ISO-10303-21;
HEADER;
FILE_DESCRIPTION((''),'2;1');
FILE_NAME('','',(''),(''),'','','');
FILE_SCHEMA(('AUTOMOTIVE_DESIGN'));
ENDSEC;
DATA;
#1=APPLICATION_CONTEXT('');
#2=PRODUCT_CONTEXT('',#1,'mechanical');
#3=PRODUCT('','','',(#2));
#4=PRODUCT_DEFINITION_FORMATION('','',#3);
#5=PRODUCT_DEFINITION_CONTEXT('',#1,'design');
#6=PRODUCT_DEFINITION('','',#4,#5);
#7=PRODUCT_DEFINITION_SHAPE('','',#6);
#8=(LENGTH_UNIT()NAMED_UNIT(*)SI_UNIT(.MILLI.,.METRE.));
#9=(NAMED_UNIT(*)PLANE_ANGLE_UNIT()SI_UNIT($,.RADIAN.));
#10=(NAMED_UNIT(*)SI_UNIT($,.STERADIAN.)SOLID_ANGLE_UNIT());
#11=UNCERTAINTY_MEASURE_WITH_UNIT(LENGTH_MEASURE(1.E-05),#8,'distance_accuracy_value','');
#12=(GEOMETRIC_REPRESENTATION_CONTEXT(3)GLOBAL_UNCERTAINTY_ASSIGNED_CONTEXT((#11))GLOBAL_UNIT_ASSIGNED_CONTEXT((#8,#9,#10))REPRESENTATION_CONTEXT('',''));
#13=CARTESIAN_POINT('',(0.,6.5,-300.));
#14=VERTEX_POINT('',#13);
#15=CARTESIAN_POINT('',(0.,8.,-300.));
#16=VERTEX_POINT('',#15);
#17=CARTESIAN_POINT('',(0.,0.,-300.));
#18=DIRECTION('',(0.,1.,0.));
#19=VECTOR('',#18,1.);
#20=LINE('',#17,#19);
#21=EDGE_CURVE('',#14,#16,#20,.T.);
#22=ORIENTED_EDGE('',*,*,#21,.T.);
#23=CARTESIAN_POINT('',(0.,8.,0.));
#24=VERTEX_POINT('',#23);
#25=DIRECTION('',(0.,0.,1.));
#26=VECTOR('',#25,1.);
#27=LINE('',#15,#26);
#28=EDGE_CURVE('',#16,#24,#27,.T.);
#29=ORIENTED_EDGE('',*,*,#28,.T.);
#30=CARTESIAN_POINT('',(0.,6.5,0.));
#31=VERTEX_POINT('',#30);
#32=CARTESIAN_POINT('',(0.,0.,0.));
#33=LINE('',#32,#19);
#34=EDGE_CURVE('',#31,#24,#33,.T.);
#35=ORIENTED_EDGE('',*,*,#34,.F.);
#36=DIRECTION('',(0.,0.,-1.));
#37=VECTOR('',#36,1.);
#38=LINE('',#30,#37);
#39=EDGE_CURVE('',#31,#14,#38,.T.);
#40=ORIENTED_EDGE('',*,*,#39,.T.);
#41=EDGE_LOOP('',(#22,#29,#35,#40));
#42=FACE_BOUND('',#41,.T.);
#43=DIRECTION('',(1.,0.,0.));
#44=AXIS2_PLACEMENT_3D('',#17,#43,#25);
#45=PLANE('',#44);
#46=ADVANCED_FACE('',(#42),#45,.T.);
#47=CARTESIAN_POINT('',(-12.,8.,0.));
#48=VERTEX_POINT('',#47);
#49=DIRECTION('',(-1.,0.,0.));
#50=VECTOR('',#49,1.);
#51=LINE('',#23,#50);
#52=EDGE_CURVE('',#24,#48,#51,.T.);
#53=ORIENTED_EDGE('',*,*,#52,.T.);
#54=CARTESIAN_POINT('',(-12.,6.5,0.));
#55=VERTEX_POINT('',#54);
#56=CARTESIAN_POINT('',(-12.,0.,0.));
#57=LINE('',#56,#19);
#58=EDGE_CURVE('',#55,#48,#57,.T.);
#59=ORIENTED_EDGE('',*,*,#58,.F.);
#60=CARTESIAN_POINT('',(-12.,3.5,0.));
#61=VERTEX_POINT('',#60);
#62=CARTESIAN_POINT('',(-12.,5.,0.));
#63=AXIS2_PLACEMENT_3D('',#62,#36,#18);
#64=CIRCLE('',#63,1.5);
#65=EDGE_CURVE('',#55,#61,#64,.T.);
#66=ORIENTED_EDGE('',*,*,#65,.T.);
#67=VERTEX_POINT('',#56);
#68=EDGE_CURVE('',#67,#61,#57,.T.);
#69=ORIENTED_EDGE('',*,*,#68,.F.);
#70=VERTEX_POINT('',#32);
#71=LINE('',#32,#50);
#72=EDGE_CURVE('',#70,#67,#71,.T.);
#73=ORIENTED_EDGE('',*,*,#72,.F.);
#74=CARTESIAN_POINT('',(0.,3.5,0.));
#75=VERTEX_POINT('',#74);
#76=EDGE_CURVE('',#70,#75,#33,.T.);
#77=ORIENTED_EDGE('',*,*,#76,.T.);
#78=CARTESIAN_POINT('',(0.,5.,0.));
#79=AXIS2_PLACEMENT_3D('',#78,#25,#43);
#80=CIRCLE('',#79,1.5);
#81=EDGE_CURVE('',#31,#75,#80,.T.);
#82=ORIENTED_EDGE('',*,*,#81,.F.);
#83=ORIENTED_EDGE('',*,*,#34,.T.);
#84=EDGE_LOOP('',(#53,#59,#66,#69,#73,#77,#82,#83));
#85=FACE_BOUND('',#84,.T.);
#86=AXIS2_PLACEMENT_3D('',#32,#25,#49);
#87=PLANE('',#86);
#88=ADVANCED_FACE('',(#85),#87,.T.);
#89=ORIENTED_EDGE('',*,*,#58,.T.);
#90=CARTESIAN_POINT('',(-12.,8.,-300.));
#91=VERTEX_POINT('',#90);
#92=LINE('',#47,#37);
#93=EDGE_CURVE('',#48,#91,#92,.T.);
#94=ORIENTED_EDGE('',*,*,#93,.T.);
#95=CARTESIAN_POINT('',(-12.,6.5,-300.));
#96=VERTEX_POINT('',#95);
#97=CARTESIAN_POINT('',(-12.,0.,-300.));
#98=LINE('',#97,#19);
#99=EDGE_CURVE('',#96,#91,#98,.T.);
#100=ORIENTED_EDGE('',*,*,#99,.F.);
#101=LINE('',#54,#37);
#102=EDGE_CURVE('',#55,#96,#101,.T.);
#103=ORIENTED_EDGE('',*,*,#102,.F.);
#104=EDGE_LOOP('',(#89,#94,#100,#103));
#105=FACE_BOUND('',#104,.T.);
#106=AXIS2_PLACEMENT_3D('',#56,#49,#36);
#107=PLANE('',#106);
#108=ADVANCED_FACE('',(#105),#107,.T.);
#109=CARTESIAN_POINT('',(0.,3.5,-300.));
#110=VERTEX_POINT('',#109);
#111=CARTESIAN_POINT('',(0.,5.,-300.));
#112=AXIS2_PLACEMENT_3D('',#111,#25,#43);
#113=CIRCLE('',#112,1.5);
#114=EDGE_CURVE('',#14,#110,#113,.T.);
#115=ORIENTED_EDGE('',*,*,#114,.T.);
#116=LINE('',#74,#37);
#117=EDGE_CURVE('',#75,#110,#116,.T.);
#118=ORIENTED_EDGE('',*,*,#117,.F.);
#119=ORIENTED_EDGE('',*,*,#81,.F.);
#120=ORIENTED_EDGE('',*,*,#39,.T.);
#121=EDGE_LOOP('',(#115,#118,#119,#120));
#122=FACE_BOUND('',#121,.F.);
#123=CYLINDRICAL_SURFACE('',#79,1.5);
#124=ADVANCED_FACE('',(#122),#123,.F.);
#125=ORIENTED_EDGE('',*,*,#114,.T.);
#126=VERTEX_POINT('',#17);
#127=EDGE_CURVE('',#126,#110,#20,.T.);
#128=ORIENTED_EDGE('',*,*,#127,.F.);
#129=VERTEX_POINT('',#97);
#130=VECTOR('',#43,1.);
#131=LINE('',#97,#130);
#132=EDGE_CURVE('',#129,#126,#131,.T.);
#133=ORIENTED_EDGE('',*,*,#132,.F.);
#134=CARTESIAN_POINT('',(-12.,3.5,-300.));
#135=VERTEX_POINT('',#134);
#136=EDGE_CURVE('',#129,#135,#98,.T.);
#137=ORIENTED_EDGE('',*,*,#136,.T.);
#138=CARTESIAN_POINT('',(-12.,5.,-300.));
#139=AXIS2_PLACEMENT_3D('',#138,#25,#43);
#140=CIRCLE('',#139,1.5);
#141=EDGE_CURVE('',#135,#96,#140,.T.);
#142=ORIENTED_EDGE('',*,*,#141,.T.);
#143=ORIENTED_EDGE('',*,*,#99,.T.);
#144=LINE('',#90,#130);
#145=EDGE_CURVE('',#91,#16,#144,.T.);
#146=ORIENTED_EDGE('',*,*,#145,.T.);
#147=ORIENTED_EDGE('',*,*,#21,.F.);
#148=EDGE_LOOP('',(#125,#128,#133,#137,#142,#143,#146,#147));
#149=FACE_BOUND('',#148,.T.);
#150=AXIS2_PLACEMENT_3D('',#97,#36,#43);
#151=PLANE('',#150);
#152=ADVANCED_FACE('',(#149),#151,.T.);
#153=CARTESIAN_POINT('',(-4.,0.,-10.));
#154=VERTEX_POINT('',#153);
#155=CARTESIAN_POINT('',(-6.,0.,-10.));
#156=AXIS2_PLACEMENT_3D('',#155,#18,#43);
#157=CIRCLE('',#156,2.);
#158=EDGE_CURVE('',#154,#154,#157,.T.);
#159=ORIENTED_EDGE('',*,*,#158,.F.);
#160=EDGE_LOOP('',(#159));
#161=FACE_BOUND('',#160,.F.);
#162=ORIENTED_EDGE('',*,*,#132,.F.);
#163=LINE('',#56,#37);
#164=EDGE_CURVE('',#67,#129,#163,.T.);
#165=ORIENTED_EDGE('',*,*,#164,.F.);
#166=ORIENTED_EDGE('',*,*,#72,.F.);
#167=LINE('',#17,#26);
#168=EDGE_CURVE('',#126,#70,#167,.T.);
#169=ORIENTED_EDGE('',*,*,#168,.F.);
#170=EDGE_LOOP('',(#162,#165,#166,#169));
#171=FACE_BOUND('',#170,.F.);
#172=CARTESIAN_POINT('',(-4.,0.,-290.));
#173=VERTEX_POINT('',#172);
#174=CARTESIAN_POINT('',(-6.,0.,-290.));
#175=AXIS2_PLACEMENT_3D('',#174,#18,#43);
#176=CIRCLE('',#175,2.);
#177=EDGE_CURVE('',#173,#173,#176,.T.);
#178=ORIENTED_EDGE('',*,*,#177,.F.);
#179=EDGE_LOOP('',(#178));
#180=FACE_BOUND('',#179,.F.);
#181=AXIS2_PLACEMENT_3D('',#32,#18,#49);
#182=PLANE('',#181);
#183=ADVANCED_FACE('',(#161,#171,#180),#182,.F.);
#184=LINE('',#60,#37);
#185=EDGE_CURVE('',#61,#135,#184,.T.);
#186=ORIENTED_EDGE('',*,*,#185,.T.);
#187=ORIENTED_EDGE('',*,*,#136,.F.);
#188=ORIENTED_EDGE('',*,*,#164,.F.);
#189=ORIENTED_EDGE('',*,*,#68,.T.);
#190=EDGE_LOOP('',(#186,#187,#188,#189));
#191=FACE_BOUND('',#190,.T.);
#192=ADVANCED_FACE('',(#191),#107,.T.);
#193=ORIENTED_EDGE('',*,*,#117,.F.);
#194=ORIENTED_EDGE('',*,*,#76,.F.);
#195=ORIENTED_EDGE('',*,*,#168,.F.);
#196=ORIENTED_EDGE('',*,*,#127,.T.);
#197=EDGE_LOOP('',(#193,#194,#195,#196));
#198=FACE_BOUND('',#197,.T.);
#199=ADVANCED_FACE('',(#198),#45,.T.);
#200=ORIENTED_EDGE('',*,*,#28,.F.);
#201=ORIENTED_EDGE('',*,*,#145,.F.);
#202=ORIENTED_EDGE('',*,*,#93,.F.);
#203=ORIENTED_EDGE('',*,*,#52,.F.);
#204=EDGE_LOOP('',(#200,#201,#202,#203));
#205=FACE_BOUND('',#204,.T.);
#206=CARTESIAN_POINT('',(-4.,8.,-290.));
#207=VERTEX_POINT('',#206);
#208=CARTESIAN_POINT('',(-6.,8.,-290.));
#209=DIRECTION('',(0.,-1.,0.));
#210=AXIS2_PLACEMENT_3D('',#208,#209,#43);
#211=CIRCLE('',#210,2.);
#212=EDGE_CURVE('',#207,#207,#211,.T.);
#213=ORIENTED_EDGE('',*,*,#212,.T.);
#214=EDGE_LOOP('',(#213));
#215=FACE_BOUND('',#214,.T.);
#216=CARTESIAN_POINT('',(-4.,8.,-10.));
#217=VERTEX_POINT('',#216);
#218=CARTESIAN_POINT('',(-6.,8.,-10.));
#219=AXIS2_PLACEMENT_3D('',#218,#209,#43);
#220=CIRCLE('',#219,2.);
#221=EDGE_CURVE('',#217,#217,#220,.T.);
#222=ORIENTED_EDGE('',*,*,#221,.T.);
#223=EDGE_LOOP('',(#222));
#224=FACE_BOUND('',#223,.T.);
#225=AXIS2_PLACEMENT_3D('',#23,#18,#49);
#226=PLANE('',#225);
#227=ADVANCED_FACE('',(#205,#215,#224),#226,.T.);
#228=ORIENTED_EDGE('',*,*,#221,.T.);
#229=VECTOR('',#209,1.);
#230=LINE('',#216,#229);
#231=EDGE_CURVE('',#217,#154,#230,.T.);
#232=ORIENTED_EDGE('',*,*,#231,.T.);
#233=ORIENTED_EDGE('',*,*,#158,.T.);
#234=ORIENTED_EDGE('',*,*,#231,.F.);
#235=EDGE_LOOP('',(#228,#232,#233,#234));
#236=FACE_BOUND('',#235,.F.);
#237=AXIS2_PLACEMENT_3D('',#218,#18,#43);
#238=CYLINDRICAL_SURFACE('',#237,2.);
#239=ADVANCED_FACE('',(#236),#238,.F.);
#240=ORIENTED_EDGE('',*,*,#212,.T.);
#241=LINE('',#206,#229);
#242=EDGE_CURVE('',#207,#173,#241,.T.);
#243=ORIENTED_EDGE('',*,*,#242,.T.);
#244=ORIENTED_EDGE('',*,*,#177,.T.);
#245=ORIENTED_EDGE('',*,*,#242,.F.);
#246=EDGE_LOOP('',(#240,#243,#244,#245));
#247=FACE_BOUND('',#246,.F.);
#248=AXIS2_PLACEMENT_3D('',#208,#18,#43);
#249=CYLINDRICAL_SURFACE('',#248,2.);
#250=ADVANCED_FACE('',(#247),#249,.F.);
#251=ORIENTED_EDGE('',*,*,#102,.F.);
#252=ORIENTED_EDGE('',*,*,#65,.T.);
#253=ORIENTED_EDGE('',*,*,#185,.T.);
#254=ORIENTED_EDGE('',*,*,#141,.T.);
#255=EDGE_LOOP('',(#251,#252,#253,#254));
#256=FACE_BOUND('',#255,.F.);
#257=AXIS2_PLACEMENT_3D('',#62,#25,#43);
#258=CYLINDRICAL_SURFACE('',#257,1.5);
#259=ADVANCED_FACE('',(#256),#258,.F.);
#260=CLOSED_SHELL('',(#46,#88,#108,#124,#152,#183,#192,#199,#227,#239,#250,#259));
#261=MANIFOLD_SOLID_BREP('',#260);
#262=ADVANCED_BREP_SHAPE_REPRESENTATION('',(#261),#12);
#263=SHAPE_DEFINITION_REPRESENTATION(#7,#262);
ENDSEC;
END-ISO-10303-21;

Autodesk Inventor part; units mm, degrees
ref_plane "YZ Plane" through (0, 0, 0) normal (1, 0, 0) x (0, 1, 0)
ref_plane "XZ Plane" through (0, 0, 0) normal (0, 1, 0) x (-1, 0, 0)
ref_plane "XY Plane" through (0, 0, 0) normal (0, 0, 1) x (1, 0, 0)
sketch "草图1" plane through (0, 0, 0) normal (0, 1, 0) x (-1, 0, 0)
  line L0 (0, 0) -> (12, 0)
  line L1 (12, 0) -> (12, -300)
  line L2 (12, -300) -> (0, -300)
  line L3 (0, -300) -> (0, 0)
  dimension "d0" = 12
  dimension "d1" = 300
extrude "拉伸1" add sketch "草图1" along normal blind 8
sketch "草图2" plane through (-12, 0, 0) normal (0, 0, 1) x (1, 0, 0)
  line L0 (0, 8) -> (0, 5)
  line L1 (0, 0) -> (0, 8) projected
  circle A0 centre (0, 5) radius 1.5
  line L2 (12, 8) -> (0, 8) projected
  line L3 (6, 8) -> (6, -1.6041)
  line L4 (12, 8) -> (12, 5)
  line L5 (12, 0) -> (12, 8)
  circle A1 centre (12, 5) radius 1.5
  line L6 (0, 8) -> (12, 8)
  point P0 (12, 6.5)
  point P1 (12, 3.5)
  point P2 (0, 6.5)
  point P3 (0, 3.5)
  dimension "d9" = 3
  dimension "d10" = 3
extrude "拉伸2" cut sketch "草图2" against normal through all contours A0 L1 L0 | L4 L5 A1 picked at (0.7027, 4.2973) picked at (11.121, 5.4613)
sketch "草图3" plane through (0, 8, 0) normal (0, 1, 0) x (1, 0, 0)
  line L0 (-12, 0) -> (0, 0) projected
  line L1 (-6, 0) -> (-6, 10)
  circle A0 centre (-6, 10) radius 2
  line L2 (0, 300) -> (-12, 300) projected
  line L3 (-6, 300) -> (-6, 290)
  circle A1 centre (-6, 290) radius 2
  dimension "d11" = 10
  dimension "d12" = 4
  dimension "d13" = 10
  dimension "d14" = 4
extrude "拉伸3" cut sketch "草图3" against normal through all
equation "\"折弯半径\" = 厚度"
equation "\"折弯释压宽度\" = 厚度"
equation "\"折弯释压深度\" = 0.5 * 厚度"
equation "\"拐角释压尺寸\" = 4 * 厚度"
equation "\"最小余量\" = 2 * 厚度"
equation "\"过渡半径\" = 折弯半径"
equation "\"Jacobi半径尺寸\" = 折弯半径"
equation "\"间隙大小\" = 厚度"
equation "\"厚度\" = 0.5"
properties part number "滑轨"
